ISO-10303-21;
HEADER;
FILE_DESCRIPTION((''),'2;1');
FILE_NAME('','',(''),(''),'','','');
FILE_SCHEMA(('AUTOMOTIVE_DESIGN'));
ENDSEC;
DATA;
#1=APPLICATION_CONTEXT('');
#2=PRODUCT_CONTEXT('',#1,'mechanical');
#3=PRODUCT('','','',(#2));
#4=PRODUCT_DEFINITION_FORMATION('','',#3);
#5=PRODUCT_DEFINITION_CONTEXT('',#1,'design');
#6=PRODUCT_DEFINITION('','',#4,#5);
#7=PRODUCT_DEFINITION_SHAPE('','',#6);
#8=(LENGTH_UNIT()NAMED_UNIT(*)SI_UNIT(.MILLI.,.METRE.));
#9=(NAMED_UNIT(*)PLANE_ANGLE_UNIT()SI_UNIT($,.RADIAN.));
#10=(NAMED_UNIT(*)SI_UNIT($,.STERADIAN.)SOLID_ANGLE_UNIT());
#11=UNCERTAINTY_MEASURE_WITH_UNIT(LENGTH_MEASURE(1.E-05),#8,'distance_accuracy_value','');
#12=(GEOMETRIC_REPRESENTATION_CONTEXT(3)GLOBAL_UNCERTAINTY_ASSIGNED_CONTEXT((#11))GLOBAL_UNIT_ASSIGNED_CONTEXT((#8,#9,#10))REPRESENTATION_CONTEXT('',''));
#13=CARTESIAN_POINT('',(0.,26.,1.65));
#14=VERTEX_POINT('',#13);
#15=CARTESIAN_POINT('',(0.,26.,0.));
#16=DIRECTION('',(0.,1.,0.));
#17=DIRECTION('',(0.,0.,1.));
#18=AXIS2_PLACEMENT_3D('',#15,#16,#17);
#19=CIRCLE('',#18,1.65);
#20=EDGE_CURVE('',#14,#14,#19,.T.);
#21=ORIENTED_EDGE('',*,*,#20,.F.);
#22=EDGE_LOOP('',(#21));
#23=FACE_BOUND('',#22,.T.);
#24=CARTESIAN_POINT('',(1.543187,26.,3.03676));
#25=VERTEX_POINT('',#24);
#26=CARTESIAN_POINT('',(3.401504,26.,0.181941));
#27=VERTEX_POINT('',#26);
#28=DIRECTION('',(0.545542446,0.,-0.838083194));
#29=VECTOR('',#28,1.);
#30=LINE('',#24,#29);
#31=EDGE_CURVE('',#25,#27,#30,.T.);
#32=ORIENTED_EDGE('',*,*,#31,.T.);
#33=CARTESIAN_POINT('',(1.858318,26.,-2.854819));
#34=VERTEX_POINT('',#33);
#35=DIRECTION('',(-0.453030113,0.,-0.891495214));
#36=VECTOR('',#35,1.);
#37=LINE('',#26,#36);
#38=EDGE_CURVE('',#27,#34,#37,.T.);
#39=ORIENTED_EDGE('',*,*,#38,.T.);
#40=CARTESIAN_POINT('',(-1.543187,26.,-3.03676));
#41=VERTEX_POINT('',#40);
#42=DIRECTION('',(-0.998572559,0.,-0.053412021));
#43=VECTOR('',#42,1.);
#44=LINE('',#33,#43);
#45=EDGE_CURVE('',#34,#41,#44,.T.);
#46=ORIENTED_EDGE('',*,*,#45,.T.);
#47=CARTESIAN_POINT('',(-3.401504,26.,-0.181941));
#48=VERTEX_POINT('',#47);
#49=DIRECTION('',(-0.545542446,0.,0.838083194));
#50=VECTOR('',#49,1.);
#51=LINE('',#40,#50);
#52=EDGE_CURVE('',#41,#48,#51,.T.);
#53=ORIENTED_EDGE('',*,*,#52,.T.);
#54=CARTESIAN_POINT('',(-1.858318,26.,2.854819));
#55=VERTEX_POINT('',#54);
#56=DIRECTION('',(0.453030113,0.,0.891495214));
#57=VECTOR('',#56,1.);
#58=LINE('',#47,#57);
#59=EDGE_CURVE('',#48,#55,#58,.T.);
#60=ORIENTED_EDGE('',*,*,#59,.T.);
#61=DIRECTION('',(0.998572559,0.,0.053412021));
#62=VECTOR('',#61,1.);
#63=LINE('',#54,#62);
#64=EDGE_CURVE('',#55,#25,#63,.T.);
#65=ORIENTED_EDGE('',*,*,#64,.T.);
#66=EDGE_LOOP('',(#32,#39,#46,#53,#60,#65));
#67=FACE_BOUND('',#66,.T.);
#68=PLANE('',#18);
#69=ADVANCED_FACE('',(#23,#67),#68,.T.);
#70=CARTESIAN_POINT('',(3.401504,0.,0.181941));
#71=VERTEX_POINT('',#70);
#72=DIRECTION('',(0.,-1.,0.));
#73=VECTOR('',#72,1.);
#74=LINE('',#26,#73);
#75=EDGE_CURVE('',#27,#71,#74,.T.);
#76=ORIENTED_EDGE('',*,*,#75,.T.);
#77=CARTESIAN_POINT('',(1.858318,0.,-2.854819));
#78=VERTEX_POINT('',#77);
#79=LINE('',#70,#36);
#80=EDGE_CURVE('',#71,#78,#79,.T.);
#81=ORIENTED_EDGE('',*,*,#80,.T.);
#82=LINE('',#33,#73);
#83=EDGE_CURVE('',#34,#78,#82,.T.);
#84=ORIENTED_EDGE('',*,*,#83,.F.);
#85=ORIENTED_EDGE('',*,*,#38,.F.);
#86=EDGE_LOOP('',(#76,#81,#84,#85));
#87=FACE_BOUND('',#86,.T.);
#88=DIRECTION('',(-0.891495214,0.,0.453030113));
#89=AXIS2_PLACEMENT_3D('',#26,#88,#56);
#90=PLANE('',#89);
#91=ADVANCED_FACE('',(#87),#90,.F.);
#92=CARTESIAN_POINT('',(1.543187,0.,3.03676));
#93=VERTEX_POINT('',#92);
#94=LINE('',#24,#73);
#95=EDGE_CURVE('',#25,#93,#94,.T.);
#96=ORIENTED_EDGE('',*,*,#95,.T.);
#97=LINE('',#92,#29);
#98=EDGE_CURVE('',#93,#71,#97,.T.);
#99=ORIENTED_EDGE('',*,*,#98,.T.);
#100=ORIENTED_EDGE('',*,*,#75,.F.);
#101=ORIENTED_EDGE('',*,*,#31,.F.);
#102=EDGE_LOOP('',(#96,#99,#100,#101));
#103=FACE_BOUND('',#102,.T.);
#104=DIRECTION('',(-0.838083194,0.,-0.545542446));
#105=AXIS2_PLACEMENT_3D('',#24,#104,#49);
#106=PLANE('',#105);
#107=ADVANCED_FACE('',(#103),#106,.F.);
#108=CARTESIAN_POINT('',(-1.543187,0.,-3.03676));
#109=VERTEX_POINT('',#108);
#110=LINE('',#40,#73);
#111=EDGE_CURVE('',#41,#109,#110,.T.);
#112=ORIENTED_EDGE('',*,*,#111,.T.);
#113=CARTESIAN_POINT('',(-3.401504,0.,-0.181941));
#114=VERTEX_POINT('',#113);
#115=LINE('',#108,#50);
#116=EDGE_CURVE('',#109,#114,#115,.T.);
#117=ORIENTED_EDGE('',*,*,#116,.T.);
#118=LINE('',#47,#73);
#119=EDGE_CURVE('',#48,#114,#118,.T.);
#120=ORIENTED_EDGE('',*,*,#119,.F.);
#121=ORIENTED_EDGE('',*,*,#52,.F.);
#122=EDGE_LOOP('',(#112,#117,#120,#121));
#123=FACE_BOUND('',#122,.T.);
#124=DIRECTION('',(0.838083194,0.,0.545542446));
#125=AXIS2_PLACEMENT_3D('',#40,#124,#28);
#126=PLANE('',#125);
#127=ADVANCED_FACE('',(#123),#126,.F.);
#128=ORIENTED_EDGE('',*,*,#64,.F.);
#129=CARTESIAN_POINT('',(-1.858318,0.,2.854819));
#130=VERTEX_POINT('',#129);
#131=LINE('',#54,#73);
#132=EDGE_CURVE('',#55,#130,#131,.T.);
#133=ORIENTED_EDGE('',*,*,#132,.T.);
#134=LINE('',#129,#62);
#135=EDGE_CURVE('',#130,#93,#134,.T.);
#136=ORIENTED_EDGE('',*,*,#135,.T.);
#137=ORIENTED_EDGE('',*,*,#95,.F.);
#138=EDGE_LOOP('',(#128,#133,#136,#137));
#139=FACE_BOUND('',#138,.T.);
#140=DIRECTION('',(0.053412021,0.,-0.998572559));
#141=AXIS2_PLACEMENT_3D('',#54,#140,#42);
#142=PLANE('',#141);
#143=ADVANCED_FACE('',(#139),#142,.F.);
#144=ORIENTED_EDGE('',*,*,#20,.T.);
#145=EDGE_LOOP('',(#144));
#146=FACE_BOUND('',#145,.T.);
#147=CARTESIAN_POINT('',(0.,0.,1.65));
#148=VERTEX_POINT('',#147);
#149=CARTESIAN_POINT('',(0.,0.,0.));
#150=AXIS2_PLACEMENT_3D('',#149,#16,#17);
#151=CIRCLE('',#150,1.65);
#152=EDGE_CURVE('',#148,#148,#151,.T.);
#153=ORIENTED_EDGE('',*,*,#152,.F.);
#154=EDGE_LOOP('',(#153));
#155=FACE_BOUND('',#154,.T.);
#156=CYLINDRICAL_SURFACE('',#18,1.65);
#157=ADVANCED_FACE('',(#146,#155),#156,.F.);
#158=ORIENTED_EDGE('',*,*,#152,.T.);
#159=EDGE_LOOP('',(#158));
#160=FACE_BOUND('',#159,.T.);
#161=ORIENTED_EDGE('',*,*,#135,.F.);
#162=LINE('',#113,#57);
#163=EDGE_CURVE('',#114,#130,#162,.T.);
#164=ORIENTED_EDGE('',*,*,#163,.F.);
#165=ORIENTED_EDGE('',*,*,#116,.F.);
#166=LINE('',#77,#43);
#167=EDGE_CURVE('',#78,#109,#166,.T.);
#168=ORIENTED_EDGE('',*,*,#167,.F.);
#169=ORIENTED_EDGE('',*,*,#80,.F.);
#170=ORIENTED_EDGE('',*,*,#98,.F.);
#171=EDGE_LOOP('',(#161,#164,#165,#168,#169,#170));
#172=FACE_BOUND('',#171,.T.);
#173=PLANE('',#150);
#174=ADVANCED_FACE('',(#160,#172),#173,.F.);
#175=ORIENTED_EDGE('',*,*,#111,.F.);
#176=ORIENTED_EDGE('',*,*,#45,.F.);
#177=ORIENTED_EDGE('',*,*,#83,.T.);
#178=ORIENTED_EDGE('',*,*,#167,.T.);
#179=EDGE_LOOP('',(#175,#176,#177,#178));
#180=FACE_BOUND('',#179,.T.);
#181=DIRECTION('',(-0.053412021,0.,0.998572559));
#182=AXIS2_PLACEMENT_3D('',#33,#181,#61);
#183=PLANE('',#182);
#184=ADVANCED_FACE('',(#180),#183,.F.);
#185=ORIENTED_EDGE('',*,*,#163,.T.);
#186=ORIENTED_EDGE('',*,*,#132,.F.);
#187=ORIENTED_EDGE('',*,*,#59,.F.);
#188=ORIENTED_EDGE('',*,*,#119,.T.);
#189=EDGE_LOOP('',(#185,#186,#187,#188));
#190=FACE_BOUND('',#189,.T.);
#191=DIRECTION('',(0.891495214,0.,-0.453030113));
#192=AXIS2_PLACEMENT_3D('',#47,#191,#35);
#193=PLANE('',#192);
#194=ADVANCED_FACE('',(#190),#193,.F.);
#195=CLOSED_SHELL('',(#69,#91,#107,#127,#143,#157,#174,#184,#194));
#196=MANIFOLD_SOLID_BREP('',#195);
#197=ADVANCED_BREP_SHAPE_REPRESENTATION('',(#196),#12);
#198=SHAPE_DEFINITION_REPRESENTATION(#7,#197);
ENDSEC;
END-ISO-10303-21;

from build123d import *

# Parameters (mm, degrees)
EXTRUDE_1_DEPTH    = 26
HOLE_WIZARD_M4_1_D = 3.3


with BuildPart() as part:
    # 草图1 → 凸台-拉伸1 (new body)
    with BuildSketch(Plane(origin=(0, 0, 0), x_dir=(1, 0, 0), z_dir=(0, 1, 0))):
        Polygon((3.401504202, -0.181940922), (1.858317562, 2.854818589), (-1.54318664, 3.036759511), (-3.401504202, 0.181940922), (-1.858317562, -2.854818589), (1.54318664, -3.036759511), align=None)
    extrude(amount=EXTRUDE_1_DEPTH)

    # M4 螺纹孔1 (through all)
    with Locations(Plane(origin=(0, 26, 0), x_dir=(1, 0, 0), z_dir=(0, 1, 0))):
        with Locations((0, 0)):
            Hole(HOLE_WIZARD_M4_1_D / 2)


solid = part.part
